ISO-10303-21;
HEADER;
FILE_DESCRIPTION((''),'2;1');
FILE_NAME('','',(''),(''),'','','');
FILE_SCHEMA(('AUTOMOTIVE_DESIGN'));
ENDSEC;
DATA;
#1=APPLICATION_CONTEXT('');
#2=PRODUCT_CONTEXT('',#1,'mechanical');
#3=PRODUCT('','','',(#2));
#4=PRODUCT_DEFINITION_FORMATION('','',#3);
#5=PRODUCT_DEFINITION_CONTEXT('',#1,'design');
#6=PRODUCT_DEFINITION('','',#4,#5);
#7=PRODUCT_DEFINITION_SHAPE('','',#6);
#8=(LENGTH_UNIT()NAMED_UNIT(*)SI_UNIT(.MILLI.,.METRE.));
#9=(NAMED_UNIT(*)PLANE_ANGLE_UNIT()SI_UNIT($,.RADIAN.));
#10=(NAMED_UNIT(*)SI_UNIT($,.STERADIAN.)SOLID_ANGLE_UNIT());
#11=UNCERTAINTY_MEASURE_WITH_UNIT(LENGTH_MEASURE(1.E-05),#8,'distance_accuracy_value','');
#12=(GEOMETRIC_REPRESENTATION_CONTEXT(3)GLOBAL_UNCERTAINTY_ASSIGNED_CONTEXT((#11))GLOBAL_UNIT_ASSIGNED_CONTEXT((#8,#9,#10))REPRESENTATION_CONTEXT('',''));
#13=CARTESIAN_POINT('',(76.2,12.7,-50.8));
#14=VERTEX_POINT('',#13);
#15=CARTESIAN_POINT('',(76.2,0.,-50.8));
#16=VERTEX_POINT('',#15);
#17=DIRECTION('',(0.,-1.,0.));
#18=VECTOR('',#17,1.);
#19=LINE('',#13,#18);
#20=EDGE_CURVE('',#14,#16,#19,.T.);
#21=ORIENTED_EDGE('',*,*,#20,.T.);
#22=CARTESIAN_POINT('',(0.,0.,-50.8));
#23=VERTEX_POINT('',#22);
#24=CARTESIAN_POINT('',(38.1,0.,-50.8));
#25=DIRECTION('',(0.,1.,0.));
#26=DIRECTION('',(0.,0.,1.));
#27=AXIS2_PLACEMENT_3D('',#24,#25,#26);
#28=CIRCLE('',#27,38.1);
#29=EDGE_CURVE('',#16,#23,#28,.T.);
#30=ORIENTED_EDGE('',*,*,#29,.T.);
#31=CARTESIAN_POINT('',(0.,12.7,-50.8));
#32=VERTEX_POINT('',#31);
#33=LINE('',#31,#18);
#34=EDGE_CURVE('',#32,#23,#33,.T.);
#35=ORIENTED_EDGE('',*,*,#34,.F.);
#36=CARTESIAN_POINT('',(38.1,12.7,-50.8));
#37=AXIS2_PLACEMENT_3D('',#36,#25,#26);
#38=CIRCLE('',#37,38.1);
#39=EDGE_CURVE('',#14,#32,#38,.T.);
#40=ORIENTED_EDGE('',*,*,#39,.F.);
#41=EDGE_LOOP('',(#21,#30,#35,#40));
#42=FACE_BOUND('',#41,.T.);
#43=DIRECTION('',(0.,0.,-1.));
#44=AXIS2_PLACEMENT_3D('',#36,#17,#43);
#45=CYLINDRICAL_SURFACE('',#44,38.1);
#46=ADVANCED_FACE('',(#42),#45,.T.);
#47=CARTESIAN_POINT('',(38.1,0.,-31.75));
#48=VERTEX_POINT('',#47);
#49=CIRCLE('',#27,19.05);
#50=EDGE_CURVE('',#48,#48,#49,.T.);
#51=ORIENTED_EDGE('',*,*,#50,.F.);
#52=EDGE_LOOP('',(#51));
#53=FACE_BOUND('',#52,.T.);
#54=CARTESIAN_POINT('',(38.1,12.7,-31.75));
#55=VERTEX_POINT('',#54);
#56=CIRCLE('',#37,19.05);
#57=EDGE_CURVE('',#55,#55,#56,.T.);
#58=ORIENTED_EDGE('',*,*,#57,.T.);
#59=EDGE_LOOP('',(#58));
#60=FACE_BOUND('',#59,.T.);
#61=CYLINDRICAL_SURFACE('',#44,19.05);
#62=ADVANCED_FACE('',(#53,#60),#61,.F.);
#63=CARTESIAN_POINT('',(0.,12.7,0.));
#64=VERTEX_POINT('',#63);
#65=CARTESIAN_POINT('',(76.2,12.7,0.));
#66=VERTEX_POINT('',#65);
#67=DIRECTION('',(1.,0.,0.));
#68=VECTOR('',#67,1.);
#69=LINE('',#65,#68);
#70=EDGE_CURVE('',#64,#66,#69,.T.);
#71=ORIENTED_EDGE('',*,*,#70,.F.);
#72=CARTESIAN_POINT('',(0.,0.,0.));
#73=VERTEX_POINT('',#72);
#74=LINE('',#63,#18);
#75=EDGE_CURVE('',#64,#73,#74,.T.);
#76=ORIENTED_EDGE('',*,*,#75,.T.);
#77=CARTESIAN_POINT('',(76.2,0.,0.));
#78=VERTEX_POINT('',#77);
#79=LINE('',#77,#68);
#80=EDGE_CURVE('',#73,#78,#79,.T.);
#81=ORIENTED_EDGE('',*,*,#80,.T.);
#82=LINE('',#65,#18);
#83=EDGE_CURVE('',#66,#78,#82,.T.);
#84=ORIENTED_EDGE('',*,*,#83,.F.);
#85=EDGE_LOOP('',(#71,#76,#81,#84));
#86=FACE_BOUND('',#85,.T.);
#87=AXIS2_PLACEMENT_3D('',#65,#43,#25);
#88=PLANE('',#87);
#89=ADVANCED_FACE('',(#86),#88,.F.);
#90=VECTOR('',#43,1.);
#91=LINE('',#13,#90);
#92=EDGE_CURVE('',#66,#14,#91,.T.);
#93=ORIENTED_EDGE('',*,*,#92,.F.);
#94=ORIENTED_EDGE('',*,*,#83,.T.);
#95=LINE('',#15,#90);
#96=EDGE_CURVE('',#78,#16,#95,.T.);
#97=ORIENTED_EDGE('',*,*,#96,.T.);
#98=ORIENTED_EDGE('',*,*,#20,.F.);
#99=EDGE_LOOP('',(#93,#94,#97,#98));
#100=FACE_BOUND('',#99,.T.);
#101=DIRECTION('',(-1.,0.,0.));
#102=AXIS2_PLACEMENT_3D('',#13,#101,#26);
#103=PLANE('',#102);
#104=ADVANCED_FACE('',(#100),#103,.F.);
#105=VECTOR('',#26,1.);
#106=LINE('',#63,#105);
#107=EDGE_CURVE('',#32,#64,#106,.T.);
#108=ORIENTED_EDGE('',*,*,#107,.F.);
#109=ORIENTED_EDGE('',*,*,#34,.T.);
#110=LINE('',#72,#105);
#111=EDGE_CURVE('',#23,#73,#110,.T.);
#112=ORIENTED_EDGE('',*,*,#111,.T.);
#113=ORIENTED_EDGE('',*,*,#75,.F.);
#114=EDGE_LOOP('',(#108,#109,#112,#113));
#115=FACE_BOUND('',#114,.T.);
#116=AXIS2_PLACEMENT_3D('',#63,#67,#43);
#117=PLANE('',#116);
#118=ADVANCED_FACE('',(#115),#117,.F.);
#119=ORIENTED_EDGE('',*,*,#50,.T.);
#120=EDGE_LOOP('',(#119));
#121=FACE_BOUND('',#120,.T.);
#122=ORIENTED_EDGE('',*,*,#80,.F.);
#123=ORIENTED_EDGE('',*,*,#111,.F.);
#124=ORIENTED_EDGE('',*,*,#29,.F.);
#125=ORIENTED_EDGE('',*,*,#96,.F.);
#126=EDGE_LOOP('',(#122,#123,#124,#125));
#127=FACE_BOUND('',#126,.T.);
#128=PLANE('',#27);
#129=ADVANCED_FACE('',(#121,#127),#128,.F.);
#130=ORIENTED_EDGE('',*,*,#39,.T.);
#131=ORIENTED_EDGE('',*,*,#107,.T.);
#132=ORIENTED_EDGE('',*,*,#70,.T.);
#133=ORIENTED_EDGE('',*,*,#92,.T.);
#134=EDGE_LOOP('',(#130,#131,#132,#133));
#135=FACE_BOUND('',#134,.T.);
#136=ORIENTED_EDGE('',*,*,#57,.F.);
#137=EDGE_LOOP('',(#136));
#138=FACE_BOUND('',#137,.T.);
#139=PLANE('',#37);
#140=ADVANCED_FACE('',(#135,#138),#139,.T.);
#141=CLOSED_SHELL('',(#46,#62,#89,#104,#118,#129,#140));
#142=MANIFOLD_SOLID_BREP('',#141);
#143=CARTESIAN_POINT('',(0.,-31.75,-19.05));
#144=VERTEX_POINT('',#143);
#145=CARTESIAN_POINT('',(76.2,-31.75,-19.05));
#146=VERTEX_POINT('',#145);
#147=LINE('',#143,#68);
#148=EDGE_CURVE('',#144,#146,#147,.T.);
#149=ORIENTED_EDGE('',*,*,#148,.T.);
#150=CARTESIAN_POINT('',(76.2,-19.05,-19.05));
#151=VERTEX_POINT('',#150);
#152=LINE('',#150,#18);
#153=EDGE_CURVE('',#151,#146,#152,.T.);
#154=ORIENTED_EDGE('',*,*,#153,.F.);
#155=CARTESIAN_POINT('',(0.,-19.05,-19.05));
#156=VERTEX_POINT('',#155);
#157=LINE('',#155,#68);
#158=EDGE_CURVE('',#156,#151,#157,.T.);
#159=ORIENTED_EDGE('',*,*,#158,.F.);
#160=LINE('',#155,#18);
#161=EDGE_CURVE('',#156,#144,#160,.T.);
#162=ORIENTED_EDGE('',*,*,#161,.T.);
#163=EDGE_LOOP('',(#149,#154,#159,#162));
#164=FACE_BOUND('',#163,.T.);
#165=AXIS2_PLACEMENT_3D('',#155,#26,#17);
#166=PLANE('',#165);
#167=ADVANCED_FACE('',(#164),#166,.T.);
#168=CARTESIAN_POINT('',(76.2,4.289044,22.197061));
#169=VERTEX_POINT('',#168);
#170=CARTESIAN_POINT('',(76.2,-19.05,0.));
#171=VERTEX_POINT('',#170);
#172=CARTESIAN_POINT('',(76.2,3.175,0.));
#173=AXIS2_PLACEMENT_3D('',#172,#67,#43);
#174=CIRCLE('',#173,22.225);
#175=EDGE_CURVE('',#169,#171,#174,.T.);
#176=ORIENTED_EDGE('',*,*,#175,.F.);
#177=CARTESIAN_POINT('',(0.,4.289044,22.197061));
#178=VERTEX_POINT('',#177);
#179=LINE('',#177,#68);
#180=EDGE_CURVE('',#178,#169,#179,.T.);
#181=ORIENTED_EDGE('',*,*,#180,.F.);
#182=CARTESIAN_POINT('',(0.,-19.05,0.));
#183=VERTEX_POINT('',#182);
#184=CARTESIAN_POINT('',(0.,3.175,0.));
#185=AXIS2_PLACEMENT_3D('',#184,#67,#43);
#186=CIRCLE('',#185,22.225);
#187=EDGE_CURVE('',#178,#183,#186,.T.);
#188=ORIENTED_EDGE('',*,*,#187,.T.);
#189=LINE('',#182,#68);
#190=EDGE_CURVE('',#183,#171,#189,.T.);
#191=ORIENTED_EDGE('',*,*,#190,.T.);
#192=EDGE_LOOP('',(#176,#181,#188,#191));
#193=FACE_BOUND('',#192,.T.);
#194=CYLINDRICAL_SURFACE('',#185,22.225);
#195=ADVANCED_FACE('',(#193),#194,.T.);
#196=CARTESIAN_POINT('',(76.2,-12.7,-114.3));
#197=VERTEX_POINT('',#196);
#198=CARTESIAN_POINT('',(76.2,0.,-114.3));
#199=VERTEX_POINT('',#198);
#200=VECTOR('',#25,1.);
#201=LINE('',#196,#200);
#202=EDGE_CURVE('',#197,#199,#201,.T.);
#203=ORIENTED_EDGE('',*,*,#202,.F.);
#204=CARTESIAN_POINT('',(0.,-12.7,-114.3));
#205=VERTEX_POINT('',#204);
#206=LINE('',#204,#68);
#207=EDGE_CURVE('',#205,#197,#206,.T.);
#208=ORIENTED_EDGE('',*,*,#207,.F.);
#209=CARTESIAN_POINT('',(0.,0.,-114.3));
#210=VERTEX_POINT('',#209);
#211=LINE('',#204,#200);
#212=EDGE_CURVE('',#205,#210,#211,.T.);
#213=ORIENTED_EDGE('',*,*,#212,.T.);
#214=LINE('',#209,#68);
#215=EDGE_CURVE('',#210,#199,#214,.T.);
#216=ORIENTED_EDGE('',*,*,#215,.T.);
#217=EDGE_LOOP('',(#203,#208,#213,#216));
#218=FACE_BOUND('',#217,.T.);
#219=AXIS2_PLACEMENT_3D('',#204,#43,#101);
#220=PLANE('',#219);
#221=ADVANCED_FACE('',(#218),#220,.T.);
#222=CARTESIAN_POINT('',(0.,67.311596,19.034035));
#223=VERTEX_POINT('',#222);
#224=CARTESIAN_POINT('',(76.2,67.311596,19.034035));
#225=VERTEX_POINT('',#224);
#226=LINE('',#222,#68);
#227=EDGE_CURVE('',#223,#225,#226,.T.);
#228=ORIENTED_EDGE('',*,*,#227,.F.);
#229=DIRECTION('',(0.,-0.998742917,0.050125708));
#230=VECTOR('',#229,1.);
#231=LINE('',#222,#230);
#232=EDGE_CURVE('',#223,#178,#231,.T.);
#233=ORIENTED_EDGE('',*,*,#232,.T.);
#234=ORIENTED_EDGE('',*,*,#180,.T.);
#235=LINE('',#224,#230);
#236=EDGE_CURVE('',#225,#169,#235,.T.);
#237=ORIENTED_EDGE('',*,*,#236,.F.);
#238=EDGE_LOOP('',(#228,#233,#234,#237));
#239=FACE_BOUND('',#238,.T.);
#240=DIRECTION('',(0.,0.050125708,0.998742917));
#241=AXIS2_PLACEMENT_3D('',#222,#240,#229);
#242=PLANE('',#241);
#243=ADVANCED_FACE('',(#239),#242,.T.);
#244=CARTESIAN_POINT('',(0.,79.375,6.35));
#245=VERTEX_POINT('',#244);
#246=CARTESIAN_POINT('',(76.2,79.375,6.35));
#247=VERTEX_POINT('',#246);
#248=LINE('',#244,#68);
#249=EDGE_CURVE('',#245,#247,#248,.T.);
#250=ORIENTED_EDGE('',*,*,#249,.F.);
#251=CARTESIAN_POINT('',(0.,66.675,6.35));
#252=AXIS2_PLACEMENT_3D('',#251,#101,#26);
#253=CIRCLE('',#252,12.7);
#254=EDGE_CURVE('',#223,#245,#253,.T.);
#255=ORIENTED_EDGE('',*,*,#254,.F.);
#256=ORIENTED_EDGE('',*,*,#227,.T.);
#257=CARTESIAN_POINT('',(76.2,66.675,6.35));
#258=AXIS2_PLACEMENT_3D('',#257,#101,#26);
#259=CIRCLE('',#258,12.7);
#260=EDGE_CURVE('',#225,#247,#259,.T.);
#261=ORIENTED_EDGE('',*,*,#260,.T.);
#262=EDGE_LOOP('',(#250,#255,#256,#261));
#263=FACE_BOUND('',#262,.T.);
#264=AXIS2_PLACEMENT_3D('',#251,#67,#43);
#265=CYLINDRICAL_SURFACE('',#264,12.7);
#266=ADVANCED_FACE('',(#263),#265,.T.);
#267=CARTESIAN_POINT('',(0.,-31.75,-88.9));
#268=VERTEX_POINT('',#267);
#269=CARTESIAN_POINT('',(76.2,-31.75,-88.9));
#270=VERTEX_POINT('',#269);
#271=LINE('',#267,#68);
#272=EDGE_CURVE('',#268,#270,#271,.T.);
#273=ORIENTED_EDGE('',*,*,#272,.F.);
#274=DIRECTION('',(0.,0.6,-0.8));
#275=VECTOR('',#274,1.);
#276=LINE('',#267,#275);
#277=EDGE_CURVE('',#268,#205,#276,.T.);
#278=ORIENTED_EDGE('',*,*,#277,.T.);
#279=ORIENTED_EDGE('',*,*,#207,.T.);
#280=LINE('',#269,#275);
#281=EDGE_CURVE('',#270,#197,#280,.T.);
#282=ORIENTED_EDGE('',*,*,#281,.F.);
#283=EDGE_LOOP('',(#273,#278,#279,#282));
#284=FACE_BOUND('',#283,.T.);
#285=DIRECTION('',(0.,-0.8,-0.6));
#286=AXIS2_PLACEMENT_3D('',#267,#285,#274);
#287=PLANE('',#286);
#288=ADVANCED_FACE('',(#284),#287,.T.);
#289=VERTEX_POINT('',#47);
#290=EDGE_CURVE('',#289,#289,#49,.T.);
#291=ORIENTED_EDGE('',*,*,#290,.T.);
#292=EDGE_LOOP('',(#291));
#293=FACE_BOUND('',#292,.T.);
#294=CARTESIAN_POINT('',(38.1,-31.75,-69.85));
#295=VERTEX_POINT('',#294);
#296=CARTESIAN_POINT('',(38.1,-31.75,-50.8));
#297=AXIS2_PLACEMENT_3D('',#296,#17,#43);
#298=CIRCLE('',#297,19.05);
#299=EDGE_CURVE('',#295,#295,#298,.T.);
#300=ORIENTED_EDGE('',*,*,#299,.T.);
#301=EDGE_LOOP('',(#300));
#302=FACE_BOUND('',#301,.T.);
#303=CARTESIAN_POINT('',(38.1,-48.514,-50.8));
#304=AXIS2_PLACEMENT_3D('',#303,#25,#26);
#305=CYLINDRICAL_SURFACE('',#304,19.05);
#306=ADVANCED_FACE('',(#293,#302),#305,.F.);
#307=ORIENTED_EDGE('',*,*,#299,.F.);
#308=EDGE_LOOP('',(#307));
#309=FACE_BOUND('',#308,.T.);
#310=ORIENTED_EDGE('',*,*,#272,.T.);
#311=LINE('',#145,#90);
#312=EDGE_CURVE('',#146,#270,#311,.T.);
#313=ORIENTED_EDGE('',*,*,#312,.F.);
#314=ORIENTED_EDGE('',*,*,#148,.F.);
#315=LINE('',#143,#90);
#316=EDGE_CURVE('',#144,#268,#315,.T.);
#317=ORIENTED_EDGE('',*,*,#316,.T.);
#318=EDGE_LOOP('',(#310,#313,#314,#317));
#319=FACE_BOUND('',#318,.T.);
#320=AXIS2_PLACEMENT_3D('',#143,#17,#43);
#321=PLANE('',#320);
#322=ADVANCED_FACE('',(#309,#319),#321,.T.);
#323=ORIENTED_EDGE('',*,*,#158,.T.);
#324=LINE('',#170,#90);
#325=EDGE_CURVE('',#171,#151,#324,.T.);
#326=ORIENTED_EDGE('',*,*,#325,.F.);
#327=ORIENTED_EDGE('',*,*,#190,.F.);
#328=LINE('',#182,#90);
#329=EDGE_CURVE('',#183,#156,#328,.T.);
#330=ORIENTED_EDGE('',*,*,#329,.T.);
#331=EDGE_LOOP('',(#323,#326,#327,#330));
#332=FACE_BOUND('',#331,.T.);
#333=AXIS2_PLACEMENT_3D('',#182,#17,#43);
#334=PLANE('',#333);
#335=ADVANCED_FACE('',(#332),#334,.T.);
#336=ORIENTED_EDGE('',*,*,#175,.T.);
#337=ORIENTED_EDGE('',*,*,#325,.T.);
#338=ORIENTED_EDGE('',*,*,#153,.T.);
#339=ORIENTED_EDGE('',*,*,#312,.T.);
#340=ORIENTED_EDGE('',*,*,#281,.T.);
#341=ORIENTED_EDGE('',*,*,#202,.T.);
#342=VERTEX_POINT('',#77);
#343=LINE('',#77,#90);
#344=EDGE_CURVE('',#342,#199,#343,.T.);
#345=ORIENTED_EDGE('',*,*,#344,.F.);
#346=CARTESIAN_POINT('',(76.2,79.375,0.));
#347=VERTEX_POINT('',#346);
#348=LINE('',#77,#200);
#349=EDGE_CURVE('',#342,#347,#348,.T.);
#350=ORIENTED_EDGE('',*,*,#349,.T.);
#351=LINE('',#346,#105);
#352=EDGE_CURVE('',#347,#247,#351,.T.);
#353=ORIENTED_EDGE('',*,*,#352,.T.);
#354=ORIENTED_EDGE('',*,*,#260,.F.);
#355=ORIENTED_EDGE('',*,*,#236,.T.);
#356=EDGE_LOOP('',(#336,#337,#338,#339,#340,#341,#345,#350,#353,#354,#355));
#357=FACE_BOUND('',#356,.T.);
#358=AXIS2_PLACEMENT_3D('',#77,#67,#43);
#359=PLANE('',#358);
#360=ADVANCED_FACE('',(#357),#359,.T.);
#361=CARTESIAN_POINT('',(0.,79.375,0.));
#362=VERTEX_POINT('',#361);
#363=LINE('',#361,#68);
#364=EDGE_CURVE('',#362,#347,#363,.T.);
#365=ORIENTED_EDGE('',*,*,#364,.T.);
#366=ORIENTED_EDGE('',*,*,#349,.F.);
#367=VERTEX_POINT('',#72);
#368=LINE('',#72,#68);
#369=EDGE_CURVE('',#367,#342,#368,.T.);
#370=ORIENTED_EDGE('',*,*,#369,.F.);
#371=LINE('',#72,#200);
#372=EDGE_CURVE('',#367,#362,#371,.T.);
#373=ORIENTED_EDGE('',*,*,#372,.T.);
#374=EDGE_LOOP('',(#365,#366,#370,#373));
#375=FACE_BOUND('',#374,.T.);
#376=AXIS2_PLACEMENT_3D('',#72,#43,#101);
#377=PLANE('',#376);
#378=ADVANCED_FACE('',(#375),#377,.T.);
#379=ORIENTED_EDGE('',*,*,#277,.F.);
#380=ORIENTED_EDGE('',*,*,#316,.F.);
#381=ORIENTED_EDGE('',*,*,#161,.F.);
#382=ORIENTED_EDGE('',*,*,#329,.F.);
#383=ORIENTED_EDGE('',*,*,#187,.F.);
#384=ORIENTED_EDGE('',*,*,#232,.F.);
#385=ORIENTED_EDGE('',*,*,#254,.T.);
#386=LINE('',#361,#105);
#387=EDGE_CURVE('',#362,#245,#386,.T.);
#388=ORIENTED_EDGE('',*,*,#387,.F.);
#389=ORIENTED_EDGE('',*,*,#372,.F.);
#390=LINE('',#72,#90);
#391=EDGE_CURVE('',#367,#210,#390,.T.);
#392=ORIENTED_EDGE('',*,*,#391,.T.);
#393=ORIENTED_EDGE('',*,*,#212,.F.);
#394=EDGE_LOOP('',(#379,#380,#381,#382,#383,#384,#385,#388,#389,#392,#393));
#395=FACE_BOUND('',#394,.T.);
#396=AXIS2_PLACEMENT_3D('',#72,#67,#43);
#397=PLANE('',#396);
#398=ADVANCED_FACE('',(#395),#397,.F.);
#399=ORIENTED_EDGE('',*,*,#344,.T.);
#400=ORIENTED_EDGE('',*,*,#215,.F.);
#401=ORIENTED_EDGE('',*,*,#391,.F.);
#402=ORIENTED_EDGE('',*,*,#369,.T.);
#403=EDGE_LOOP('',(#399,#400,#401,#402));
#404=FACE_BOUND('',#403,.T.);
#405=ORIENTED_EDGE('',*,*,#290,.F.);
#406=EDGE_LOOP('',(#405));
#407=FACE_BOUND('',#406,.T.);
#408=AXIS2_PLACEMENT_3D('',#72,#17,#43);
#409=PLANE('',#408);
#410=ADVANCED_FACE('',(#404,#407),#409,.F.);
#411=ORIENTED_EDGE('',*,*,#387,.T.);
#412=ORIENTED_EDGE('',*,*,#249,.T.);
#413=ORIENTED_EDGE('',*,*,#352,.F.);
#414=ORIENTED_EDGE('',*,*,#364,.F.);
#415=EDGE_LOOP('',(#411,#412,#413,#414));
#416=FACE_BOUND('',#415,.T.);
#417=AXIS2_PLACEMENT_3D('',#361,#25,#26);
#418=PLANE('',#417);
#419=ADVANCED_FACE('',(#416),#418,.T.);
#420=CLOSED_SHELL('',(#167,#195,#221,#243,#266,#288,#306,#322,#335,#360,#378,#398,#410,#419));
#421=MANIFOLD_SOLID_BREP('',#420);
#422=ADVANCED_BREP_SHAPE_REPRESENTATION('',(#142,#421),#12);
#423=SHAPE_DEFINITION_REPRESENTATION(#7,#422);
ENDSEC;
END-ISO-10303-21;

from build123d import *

# Parameters (mm, degrees)
EXTRUDE_1_DEPTH     = 76.2
SKETCH_1_R          = 19.05
EXTRUDE_2_DEPTH     = 12.7
SKETCH_2_R          = 19.05
CUT_EXTRUDE_1_DEPTH = 48.514


with BuildPart() as part:
    # Sketch 3D_1 → 凸台-拉伸1 (new body)
    with BuildSketch(Plane(origin=(0, -31.75, -19.05), x_dir=(0, 0.9748585065718673, 0.22282480150214104), z_dir=(-1, 0, 0))):
        with BuildLine():
            Line((0, 0), (-15.564312385, 68.093866684))
            Line((-15.564312385, 68.093866684), (-2.653007793, 97.10008522))
            Line((-2.653007793, 97.10008522), (9.727695241, 99.929960199))
            Line((9.727695241, 99.929960199), (35.196570052, -11.496367103))
            Line((35.196570052, -11.496367103), (38.291745811, -10.788898358))
            Line((38.291745811, -10.788898358), (112.575964011, 6.190351517))
            Line((112.575964011, 6.190351517), (113.990901501, 0))
            ThreePointArc((113.990901501, 0), (112.531634737, -9.311559159), (105.057107567, -15.053164948))
            Line((105.057107567, -15.053164948), (44.323836735, -32.179655803))
            ThreePointArc((44.323836735, -32.179655803), (26.948798496, -29.90141183), (16.625515502, -15.741179571))
            Line((16.625515502, -15.741179571), (12.380703033, 2.829874979))
            Line((12.380703033, 2.829874979), (0, 0))
        make_face()
    extrude(amount=-EXTRUDE_1_DEPTH)

    # 草图2 → 切除-拉伸1 (cut)
    with BuildSketch(Plane(origin=(0, 0, 0), x_dir=(1, 0, 0), z_dir=(0, 1, 0))):
        with Locations(Location((38.1, 50.8, 0), (0, 0, 270))):
            Circle(SKETCH_2_R)
    extrude(amount=-CUT_EXTRUDE_1_DEPTH, mode=Mode.SUBTRACT)


with BuildPart() as body_2:
    # 草图1 → 凸台-拉伸2 (new body)
    with BuildSketch(Plane(origin=(0, 0, 0), x_dir=(1, 0, 0), z_dir=(0, 1, 0))):
        with BuildLine():
            Line((0, 0), (0, 50.8))
            ThreePointArc((0, 50.8), (38.1, 88.9), (76.2, 50.8))
            Line((76.2, 50.8), (76.2, 0))
            Line((76.2, 0), (0, 0))
        make_face()
        with Locations(Location((38.1, 50.8, 0), (0, 0, 270))):
            Circle(SKETCH_1_R, mode=Mode.SUBTRACT)
    extrude(amount=EXTRUDE_2_DEPTH)


solid = Compound([part.part, body_2.part])
